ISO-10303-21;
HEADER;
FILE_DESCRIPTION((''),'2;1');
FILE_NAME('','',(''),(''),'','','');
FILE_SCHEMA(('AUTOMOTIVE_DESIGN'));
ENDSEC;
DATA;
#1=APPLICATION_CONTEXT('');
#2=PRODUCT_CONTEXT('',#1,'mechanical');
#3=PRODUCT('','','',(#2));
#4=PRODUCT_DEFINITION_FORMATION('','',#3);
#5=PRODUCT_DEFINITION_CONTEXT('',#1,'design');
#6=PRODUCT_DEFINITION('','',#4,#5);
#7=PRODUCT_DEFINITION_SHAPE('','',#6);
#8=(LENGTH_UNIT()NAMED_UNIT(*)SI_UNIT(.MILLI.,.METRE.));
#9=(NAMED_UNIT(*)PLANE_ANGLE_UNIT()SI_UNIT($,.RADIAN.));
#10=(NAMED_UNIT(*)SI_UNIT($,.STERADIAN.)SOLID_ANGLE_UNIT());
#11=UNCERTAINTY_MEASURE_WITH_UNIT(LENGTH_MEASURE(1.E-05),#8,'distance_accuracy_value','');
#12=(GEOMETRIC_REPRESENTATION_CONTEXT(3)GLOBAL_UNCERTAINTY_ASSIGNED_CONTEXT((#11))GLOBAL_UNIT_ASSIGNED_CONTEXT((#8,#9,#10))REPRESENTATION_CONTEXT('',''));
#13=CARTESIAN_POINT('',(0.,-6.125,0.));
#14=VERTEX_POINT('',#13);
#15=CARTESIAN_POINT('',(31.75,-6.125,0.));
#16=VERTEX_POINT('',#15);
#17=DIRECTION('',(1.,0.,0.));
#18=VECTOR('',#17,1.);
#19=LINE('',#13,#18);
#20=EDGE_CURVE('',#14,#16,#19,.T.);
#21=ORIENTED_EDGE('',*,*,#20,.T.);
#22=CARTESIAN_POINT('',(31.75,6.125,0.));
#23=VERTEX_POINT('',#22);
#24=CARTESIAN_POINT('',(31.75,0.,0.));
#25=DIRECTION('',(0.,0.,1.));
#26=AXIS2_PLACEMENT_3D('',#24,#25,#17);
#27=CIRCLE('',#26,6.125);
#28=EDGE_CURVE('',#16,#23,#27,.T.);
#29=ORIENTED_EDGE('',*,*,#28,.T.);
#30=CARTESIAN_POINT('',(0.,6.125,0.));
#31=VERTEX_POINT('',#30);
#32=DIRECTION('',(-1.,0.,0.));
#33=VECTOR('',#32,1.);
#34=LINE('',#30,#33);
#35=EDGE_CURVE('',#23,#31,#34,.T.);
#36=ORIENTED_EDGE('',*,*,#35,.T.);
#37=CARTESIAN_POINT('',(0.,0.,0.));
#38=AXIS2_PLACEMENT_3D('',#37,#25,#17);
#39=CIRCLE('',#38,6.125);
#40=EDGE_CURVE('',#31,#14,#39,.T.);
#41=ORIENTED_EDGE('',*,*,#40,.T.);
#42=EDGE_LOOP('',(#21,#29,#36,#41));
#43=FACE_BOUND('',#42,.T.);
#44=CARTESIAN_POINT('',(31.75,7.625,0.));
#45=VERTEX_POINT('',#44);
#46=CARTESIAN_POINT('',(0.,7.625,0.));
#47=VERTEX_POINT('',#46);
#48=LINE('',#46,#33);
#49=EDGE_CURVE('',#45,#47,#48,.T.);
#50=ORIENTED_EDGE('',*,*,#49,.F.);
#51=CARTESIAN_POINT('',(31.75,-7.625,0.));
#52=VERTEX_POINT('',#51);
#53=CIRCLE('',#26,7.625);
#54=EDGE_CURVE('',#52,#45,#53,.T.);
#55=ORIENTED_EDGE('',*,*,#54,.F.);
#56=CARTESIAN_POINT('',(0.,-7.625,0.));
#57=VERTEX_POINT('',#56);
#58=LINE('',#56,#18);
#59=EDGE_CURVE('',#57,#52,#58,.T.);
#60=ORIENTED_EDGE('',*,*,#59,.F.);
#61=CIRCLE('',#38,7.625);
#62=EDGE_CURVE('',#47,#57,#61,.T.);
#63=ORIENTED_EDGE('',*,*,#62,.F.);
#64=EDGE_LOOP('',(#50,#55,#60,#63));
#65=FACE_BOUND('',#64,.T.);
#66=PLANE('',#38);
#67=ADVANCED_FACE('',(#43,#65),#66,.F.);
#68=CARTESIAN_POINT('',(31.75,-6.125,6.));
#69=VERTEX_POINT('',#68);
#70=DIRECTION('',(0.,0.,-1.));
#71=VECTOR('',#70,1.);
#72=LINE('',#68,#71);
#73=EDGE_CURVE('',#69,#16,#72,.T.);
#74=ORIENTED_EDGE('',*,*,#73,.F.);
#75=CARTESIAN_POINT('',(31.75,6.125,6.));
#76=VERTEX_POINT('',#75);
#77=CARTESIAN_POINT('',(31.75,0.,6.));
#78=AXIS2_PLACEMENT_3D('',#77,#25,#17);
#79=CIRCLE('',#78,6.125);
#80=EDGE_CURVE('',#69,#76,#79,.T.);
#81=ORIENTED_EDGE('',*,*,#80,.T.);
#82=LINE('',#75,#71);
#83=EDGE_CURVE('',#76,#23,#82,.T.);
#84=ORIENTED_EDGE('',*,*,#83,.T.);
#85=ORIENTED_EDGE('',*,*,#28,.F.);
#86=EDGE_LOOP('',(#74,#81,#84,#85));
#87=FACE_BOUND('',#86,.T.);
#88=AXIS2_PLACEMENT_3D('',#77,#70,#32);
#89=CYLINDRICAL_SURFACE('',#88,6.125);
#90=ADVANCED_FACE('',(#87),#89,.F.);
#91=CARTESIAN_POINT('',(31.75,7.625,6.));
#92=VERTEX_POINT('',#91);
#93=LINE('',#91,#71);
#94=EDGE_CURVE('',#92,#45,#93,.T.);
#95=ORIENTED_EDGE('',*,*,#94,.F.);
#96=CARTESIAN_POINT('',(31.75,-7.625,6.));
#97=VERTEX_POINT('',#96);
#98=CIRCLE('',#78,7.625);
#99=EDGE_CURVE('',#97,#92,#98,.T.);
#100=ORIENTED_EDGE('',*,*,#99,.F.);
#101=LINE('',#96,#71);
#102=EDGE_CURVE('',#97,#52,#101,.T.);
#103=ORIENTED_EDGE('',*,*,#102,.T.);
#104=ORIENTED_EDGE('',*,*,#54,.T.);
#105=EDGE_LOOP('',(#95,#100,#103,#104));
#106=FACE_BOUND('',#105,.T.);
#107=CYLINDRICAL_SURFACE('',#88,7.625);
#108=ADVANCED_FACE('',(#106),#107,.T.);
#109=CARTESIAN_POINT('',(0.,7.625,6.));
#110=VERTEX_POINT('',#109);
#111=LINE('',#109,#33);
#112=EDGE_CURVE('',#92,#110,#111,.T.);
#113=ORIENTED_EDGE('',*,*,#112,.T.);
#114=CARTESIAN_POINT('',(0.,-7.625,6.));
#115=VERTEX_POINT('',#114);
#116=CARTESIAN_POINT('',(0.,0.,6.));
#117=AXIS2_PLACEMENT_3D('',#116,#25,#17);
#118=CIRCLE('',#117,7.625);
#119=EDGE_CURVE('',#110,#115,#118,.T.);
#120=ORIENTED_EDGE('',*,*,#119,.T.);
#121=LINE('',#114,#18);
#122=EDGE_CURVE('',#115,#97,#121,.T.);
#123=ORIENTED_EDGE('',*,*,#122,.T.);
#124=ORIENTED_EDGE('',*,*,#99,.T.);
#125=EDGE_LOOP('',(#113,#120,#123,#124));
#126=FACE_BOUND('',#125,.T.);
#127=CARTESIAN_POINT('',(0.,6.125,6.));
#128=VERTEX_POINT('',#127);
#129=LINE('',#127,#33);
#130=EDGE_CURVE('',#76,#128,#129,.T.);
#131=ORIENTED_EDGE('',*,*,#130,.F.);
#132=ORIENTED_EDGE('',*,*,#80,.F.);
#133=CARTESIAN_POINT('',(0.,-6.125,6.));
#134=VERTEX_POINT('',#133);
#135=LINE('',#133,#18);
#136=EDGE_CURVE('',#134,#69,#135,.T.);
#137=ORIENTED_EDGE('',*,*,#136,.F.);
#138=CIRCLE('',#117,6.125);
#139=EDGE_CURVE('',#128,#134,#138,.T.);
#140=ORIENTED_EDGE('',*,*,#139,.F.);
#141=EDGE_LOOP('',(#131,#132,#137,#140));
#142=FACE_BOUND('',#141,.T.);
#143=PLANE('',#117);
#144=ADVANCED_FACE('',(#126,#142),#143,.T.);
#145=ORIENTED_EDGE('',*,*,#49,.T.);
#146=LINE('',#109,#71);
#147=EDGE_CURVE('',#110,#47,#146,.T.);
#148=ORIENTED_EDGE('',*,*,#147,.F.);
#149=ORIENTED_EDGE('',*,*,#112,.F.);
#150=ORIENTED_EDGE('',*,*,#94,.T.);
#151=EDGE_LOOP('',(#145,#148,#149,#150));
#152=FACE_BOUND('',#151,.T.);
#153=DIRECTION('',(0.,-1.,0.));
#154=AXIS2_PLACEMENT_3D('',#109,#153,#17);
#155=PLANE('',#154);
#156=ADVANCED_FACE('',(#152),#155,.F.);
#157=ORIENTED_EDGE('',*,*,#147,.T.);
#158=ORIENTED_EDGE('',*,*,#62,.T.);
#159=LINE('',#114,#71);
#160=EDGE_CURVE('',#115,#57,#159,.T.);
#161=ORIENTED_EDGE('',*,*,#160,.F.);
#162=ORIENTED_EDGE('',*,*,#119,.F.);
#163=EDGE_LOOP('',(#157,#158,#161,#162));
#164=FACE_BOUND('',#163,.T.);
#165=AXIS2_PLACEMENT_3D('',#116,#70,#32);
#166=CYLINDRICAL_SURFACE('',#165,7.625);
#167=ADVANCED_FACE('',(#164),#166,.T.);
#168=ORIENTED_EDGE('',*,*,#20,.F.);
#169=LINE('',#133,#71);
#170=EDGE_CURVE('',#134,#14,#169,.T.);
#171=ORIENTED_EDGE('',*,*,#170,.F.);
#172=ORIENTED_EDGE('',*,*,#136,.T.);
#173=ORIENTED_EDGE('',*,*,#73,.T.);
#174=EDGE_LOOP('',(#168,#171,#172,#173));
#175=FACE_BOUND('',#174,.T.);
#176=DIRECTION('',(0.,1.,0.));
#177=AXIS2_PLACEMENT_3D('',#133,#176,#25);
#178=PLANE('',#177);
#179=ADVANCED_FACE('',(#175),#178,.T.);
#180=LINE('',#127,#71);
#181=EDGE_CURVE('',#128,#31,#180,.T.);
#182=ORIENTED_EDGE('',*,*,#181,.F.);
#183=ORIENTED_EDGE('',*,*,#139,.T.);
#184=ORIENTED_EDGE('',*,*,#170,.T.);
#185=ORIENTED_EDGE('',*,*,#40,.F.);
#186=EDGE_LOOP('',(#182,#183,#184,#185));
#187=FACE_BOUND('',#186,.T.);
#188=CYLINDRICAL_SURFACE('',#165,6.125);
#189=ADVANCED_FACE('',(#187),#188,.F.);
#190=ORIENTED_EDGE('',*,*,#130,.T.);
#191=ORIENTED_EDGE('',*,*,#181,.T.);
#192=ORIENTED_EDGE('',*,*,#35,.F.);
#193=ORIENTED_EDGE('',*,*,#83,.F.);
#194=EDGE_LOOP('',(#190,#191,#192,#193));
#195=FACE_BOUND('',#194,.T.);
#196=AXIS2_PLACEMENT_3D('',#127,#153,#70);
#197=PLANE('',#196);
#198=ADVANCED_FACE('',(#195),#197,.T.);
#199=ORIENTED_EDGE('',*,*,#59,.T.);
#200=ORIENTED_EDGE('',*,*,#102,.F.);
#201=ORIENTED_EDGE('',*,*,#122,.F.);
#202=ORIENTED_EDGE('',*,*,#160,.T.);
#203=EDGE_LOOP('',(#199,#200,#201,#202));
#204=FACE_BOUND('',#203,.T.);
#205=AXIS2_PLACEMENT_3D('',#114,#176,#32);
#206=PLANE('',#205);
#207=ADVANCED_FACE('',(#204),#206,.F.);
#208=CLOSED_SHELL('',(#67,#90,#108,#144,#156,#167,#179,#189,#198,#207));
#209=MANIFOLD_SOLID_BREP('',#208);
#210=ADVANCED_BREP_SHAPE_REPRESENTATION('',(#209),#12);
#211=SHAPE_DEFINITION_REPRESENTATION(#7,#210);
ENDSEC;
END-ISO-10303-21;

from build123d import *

# Parameters (mm, degrees)
BOSS_EXTRUDE1_DEPTH = 6


with BuildPart() as part:
    # Sketch4 → Boss-Extrude1 (new body)
    with BuildSketch(Plane.XY):
        with BuildLine():
            Line((0, 7.625), (31.75, 7.625))
            ThreePointArc((31.75, 7.625), (39.375, 0), (31.75, -7.625))
            Line((31.75, -7.625), (0, -7.625))
            ThreePointArc((0, -7.625), (-7.625, 0), (0, 7.625))
        make_face()
        with BuildLine():
            Line((0, 6.125), (31.75, 6.125))
            ThreePointArc((31.75, 6.125), (37.875, 0), (31.75, -6.125))
            Line((31.75, -6.125), (0, -6.125))
            ThreePointArc((0, -6.125), (-6.125, 0), (0, 6.125))
        make_face(mode=Mode.SUBTRACT)
    extrude(amount=BOSS_EXTRUDE1_DEPTH)


solid = part.part
